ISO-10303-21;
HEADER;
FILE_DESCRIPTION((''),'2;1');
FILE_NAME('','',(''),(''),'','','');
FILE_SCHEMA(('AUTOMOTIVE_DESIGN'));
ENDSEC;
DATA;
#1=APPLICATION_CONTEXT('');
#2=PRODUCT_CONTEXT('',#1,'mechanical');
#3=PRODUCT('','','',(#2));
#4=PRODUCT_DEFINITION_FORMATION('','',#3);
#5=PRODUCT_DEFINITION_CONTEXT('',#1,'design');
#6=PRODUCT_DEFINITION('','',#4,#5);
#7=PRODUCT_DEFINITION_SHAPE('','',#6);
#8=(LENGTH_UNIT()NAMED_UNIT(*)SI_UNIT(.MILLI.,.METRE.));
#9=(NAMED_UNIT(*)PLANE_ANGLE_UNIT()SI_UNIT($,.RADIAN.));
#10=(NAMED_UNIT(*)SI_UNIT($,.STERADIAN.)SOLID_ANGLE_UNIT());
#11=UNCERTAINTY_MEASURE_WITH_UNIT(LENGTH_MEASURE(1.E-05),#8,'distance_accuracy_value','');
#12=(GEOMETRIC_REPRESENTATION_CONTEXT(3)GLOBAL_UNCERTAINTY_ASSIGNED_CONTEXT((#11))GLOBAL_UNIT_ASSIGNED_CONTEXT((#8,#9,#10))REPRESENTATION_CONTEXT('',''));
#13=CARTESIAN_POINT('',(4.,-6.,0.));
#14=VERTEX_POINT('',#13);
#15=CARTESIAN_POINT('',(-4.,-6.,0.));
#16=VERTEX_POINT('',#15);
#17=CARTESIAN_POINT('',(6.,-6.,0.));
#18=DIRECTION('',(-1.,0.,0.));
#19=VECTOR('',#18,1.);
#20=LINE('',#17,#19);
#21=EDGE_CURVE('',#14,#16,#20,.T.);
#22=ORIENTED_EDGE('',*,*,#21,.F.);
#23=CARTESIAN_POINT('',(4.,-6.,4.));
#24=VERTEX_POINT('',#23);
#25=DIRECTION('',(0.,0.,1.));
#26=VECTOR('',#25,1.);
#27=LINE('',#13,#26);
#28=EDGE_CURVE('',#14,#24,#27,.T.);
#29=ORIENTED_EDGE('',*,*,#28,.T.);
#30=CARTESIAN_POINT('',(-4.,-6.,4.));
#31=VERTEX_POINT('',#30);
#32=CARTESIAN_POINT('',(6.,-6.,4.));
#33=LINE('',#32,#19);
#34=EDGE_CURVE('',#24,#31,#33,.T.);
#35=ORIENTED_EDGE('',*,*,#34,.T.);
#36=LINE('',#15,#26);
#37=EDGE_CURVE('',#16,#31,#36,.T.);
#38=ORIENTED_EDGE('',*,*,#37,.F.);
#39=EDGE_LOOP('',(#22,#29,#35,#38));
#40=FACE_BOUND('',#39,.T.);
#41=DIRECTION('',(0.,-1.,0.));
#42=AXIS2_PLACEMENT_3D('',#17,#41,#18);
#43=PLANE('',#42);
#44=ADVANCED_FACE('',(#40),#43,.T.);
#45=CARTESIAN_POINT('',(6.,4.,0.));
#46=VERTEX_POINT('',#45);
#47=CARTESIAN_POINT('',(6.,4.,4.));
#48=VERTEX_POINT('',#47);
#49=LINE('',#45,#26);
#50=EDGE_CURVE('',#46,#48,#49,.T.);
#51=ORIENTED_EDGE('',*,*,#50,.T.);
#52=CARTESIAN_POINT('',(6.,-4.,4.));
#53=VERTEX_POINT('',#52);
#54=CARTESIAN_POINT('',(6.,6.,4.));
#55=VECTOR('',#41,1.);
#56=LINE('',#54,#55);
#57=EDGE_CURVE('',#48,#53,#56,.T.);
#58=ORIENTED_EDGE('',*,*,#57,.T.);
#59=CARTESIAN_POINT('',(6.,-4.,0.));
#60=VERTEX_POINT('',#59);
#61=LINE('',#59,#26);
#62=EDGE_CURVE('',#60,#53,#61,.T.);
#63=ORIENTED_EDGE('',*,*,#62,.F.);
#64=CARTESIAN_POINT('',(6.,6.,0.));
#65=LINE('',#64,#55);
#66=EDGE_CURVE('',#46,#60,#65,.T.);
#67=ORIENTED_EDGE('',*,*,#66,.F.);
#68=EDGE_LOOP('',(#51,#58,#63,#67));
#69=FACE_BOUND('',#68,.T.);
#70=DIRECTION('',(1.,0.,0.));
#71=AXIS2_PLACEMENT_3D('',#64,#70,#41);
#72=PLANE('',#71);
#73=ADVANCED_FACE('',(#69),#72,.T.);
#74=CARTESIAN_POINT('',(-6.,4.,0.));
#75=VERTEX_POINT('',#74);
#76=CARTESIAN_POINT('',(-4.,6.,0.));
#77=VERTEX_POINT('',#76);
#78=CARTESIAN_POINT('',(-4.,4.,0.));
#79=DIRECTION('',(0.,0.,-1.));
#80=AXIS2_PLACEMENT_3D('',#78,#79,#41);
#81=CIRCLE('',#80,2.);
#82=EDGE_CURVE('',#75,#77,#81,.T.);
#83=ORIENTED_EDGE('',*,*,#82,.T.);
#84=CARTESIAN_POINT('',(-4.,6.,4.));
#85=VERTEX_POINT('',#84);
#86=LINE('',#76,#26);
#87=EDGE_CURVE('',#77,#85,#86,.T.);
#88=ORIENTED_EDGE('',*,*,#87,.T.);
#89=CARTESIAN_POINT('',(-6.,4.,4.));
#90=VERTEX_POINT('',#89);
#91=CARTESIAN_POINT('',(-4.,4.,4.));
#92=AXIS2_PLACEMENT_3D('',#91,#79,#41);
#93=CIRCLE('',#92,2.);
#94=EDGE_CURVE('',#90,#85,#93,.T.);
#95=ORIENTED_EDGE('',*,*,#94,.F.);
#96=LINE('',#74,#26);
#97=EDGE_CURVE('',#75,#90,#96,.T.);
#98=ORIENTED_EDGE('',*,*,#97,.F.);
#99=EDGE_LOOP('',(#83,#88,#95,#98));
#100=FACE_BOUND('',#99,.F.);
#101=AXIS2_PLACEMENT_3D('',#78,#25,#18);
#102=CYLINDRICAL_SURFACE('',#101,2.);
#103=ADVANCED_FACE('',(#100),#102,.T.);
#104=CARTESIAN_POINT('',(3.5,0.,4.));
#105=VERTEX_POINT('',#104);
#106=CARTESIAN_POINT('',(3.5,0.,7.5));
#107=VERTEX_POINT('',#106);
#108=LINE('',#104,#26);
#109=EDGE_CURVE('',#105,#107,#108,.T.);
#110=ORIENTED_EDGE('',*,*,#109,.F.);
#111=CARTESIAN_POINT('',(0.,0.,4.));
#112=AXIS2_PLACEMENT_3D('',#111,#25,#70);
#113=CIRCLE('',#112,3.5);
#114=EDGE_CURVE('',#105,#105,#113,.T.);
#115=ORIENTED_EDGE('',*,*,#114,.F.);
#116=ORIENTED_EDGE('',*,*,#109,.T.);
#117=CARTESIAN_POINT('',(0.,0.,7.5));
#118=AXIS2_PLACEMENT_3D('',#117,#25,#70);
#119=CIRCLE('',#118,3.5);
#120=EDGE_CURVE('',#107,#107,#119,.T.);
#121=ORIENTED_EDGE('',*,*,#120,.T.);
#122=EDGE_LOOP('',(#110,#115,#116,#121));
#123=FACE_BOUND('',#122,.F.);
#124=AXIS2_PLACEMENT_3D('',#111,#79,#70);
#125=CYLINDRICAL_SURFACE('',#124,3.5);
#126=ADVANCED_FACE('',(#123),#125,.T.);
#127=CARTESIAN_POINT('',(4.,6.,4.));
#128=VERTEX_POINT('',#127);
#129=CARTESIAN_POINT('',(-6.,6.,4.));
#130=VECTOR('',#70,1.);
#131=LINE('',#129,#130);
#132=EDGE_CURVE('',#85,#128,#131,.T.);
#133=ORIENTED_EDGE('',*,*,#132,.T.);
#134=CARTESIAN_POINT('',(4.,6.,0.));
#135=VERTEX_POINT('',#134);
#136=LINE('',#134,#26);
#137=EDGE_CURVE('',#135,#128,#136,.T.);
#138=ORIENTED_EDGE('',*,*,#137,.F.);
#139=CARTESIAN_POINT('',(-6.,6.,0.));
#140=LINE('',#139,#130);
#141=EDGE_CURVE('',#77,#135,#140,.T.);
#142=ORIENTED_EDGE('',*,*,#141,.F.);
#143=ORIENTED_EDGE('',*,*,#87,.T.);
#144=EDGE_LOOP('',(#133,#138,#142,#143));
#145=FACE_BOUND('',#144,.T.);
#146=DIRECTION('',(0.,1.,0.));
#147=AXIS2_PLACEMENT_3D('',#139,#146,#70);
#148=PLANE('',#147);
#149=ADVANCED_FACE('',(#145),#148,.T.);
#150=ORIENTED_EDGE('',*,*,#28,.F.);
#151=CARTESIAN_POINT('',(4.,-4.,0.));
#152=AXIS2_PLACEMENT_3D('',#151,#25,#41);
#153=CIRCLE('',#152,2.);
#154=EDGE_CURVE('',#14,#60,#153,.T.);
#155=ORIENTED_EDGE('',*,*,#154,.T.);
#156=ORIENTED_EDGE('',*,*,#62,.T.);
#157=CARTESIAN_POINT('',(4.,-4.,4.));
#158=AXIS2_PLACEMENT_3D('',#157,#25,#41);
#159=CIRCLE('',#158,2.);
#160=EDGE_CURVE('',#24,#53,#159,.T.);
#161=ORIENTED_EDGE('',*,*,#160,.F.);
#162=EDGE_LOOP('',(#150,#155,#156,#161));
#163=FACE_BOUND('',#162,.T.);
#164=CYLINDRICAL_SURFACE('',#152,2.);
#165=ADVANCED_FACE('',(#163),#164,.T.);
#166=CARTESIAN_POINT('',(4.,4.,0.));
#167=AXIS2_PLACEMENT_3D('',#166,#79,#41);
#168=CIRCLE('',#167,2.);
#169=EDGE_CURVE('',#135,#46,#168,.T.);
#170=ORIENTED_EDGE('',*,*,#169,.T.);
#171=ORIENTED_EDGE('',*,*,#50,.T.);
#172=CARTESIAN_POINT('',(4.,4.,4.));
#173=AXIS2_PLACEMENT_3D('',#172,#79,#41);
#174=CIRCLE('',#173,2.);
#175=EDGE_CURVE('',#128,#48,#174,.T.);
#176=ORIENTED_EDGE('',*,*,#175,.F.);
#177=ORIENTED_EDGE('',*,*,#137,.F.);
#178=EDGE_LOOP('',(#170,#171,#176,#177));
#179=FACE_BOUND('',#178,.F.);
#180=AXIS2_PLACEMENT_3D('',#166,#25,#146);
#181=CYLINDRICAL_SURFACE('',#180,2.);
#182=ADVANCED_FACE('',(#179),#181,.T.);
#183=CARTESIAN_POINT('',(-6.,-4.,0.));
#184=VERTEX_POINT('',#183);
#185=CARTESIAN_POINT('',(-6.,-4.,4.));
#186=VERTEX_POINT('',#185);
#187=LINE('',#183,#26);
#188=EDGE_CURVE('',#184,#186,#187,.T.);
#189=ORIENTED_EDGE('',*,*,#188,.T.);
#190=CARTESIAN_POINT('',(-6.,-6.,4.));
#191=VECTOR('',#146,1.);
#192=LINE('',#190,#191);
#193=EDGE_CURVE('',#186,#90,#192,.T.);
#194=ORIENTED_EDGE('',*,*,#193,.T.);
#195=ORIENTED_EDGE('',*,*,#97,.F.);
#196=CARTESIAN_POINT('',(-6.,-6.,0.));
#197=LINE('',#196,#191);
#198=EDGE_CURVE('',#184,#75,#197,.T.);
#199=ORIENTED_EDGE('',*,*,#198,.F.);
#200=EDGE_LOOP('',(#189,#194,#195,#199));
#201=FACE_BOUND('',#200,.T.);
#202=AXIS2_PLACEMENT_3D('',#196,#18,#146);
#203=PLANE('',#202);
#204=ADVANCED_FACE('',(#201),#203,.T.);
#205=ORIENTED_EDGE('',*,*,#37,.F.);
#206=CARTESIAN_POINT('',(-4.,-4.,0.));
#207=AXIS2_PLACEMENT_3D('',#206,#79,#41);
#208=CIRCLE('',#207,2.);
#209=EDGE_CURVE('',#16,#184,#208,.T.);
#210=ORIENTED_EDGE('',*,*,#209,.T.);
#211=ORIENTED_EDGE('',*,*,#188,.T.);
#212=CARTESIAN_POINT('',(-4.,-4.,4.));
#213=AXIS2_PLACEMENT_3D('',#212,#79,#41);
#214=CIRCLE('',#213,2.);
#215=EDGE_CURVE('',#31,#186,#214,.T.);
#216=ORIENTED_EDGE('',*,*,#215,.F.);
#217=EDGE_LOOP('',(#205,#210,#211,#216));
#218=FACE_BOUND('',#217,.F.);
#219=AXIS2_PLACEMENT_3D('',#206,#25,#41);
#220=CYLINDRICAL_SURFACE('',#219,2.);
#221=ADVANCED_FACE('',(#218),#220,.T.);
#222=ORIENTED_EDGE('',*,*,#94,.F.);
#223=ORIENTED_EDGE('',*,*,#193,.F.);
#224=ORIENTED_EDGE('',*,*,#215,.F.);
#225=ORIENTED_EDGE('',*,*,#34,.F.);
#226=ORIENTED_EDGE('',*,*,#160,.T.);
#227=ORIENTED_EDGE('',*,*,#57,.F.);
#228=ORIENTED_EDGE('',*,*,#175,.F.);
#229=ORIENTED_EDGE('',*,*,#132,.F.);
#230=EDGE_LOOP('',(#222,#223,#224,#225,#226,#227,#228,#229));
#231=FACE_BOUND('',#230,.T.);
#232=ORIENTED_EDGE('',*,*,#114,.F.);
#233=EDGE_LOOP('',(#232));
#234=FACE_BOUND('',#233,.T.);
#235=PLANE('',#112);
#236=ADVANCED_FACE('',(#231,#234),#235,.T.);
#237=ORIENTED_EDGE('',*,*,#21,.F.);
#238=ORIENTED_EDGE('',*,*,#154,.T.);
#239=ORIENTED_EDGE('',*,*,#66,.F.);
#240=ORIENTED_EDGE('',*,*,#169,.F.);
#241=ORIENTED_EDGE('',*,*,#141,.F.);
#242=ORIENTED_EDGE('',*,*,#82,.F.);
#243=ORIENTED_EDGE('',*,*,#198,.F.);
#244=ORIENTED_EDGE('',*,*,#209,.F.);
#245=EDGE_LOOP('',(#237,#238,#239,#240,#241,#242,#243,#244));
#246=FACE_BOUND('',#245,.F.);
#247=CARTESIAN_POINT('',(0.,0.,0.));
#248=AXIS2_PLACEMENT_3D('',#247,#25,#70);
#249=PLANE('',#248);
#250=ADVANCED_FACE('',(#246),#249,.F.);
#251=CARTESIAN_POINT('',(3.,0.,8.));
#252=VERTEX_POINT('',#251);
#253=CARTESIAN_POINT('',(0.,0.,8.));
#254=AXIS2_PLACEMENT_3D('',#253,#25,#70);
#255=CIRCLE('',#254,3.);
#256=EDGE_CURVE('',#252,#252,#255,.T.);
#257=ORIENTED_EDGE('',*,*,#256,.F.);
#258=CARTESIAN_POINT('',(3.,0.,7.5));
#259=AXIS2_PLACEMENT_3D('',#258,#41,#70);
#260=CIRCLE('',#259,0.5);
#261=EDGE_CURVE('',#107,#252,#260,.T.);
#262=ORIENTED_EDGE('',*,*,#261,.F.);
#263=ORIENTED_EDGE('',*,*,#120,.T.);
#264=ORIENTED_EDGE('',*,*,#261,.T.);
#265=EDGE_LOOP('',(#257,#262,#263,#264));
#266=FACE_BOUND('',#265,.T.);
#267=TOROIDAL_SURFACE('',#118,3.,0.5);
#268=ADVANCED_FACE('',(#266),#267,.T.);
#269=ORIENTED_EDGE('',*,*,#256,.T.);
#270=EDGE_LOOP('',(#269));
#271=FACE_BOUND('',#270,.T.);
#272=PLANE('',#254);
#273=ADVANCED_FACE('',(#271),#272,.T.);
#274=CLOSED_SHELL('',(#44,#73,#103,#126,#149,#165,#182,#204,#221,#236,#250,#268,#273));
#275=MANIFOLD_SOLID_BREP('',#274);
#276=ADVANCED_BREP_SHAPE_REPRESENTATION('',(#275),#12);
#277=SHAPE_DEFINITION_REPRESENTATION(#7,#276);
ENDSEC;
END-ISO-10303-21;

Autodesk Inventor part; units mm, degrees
ref_plane "YZ Plane" through (0, 0, 0) normal (1, 0, 0) x (0, 1, 0)
ref_plane "XZ Plane" through (0, 0, 0) normal (0, 1, 0) x (-1, 0, 0)
ref_plane "XY Plane" through (0, 0, 0) normal (0, 0, 1) x (1, 0, 0)
sketch "Sketch1" plane through (0, 0, 0) normal (0, 0, 1) x (1, 0, 0)
  line L0 (6, -6) -> (-6, -6)
  line L1 (-6, -6) -> (-6, 6)
  line L2 (-6, 6) -> (6, 6)
  line L3 (6, 6) -> (6, -6)
  point P0 (0, 0)
  point P1 (0, 0)
  dimension "d0" = 12
  dimension "d1" = 12
  dimension "d2" = 6
  dimension "d3" = 6
extrude "Extrusion1" add sketch "Sketch1" along normal blind 4
fillet "Fillet1" radius 2 4 edges at (-6, 6, 2) (-6, -6, 2) (6, 6, 2) (6, -6, 2)
sketch "Sketch2" plane through (0, 0, 4) normal (0, 0, 1) x (1, 0, 0)
  circle A0 centre (0, 0) radius 3.5
  dimension "d7" = 7
extrude "Extrusion2" add sketch "Sketch2" along normal blind 4
fillet "Fillet2" radius 0.5 1 edges at (-3.5, 0, 8)
properties part number "Button" material "PET Plastic"
